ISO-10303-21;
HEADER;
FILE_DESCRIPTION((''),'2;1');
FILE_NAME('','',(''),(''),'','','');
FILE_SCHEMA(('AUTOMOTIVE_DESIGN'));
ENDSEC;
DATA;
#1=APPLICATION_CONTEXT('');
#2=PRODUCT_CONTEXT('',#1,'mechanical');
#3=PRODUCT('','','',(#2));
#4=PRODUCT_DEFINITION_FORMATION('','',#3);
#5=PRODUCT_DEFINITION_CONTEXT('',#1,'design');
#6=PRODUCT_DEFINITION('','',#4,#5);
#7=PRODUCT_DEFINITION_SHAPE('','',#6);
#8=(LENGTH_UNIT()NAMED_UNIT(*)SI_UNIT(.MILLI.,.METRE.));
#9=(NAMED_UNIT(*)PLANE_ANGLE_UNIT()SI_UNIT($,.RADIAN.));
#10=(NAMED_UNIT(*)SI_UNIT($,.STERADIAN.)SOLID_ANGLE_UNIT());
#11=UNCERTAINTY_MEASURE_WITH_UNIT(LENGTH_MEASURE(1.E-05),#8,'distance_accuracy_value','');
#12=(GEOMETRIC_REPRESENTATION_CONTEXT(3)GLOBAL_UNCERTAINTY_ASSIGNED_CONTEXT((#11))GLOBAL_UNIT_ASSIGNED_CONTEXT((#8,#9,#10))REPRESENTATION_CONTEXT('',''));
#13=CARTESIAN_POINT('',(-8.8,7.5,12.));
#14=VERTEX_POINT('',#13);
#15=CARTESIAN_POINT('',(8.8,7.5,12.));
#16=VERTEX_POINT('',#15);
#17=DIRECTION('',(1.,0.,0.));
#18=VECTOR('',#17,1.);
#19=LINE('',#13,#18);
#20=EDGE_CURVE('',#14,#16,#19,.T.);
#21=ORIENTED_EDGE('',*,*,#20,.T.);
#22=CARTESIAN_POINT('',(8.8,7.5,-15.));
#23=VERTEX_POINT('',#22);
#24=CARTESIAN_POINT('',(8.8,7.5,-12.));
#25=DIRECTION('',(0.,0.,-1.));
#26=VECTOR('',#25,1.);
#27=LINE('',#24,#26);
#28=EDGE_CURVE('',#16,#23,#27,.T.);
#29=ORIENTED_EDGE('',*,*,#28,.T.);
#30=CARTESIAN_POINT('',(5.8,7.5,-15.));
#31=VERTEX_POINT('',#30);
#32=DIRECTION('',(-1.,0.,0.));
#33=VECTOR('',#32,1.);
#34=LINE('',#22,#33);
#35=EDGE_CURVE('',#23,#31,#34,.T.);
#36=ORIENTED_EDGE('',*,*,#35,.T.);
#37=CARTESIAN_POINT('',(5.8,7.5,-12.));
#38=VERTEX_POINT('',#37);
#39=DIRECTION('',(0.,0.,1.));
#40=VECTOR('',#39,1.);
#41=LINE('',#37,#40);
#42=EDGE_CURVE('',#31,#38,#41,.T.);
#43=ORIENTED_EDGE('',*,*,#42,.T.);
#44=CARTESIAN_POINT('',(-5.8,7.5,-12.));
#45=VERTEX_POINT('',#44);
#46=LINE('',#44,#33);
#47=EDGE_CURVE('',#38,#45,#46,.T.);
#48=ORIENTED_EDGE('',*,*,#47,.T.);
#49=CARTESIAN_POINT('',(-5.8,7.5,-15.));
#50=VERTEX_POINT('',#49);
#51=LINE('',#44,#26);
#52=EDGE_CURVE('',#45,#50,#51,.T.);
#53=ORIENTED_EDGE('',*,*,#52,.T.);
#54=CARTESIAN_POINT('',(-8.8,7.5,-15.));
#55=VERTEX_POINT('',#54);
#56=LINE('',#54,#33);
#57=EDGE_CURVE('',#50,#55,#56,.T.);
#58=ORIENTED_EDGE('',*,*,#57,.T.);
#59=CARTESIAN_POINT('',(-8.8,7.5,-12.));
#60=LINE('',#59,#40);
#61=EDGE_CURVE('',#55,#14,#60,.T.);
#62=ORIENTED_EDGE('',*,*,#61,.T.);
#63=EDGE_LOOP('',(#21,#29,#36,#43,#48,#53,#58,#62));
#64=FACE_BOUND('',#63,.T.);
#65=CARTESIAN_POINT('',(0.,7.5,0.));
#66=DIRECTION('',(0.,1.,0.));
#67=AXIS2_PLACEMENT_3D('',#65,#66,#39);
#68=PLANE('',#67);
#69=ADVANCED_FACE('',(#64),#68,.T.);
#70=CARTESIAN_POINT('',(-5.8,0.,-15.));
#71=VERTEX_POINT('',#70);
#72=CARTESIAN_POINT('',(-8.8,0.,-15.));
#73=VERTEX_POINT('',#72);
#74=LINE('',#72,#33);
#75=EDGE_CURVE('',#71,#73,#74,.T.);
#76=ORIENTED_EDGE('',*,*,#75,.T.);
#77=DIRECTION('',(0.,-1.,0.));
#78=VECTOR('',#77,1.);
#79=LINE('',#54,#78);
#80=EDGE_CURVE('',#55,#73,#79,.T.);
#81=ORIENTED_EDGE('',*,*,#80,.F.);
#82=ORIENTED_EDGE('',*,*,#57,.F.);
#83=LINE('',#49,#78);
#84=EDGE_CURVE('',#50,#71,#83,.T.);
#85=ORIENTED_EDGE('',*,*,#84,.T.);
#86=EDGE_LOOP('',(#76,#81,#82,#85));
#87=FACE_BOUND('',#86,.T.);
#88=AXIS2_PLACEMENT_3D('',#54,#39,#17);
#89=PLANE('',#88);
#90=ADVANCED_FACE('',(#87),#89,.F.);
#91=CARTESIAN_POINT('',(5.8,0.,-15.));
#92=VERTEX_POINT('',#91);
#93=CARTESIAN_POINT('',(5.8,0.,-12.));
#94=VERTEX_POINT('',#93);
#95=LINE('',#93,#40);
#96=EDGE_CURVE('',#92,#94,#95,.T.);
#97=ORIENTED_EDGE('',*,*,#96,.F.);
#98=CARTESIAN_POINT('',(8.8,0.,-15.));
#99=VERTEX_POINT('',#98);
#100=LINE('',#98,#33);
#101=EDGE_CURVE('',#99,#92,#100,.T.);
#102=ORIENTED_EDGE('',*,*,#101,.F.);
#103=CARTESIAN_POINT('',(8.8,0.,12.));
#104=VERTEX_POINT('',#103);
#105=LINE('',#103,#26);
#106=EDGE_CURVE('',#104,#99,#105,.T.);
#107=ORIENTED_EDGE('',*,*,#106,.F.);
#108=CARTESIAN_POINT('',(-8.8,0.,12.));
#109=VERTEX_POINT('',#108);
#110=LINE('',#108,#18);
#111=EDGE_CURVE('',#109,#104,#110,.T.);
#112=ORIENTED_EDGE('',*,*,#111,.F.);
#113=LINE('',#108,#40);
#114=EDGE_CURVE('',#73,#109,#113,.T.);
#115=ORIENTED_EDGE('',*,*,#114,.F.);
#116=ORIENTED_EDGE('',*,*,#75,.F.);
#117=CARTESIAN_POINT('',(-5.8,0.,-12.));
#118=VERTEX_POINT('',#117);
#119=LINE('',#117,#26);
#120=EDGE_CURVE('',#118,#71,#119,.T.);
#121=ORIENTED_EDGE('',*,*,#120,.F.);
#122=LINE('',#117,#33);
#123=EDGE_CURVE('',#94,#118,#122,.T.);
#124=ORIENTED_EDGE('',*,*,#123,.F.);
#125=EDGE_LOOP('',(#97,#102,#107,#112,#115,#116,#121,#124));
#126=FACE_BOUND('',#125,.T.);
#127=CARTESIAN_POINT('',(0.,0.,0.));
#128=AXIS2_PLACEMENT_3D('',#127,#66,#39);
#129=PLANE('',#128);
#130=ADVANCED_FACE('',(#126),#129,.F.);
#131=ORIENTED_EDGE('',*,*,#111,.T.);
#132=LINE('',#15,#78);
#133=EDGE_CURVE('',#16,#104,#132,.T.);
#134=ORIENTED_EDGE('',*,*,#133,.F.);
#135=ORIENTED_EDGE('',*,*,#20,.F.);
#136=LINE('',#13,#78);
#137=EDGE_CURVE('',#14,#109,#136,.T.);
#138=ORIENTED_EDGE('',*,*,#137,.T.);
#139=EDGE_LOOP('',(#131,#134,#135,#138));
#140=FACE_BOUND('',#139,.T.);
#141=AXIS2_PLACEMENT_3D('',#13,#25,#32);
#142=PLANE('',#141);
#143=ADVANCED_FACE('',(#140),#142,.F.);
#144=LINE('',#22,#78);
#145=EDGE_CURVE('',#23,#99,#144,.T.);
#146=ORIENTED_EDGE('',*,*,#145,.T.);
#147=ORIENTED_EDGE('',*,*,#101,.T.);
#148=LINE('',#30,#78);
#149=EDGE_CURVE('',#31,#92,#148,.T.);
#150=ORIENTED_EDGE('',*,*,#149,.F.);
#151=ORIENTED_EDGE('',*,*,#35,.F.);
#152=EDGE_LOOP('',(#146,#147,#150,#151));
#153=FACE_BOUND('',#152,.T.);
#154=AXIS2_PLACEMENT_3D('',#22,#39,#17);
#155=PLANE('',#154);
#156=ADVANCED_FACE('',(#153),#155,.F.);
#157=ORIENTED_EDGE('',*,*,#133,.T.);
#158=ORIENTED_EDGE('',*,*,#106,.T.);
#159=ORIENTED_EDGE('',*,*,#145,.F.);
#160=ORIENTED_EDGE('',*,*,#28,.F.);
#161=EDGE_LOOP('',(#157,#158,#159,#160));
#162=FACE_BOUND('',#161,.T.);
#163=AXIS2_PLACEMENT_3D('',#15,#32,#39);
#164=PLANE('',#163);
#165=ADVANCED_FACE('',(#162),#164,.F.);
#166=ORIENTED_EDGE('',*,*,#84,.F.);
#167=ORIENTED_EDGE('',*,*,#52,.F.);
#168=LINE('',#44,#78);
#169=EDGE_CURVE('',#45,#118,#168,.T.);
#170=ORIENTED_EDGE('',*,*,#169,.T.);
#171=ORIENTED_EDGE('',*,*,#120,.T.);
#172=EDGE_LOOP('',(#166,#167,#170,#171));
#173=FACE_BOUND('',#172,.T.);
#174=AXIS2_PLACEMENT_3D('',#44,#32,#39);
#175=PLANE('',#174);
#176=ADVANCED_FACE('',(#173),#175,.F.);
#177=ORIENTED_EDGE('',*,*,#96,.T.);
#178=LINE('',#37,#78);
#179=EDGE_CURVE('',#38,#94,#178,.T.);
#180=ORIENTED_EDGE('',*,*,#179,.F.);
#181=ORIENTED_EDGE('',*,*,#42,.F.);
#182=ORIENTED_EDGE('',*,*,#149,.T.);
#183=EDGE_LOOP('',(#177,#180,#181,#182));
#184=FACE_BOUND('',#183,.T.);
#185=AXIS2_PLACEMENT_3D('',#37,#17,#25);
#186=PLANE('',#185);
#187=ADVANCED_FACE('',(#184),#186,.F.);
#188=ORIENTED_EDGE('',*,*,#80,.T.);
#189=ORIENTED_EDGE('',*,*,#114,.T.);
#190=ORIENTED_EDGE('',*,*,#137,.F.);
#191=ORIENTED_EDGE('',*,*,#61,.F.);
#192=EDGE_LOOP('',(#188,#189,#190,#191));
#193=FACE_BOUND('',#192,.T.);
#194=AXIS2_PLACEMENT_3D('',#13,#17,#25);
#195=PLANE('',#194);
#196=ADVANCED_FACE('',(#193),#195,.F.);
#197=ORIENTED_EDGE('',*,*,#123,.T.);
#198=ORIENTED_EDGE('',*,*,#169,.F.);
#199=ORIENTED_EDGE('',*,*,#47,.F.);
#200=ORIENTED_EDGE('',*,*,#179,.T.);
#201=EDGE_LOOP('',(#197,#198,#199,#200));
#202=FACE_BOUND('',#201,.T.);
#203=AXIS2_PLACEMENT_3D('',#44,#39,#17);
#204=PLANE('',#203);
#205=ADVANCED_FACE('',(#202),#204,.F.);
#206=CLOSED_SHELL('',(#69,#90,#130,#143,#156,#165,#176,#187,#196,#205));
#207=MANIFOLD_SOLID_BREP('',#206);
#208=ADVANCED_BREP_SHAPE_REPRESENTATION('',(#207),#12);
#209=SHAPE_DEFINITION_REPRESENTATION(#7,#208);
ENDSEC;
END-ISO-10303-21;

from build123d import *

# Parameters (mm, degrees)
BOSS_EXTRUDE1_DEPTH = 7.5


with BuildPart() as part:
    # Sketch1 → Boss-Extrude1 (new body)
    with BuildSketch(Plane(origin=(0, 0, 0), x_dir=(1, 0, 0), z_dir=(0, 1, 0))):
        Polygon((-8.8, -12), (8.8, -12), (8.8, 12), (8.8, 15), (5.8, 15), (5.8, 12), (-5.8, 12), (-5.8, 15), (-8.8, 15), (-8.8, 12), align=None)
    extrude(amount=BOSS_EXTRUDE1_DEPTH)


solid = part.part
